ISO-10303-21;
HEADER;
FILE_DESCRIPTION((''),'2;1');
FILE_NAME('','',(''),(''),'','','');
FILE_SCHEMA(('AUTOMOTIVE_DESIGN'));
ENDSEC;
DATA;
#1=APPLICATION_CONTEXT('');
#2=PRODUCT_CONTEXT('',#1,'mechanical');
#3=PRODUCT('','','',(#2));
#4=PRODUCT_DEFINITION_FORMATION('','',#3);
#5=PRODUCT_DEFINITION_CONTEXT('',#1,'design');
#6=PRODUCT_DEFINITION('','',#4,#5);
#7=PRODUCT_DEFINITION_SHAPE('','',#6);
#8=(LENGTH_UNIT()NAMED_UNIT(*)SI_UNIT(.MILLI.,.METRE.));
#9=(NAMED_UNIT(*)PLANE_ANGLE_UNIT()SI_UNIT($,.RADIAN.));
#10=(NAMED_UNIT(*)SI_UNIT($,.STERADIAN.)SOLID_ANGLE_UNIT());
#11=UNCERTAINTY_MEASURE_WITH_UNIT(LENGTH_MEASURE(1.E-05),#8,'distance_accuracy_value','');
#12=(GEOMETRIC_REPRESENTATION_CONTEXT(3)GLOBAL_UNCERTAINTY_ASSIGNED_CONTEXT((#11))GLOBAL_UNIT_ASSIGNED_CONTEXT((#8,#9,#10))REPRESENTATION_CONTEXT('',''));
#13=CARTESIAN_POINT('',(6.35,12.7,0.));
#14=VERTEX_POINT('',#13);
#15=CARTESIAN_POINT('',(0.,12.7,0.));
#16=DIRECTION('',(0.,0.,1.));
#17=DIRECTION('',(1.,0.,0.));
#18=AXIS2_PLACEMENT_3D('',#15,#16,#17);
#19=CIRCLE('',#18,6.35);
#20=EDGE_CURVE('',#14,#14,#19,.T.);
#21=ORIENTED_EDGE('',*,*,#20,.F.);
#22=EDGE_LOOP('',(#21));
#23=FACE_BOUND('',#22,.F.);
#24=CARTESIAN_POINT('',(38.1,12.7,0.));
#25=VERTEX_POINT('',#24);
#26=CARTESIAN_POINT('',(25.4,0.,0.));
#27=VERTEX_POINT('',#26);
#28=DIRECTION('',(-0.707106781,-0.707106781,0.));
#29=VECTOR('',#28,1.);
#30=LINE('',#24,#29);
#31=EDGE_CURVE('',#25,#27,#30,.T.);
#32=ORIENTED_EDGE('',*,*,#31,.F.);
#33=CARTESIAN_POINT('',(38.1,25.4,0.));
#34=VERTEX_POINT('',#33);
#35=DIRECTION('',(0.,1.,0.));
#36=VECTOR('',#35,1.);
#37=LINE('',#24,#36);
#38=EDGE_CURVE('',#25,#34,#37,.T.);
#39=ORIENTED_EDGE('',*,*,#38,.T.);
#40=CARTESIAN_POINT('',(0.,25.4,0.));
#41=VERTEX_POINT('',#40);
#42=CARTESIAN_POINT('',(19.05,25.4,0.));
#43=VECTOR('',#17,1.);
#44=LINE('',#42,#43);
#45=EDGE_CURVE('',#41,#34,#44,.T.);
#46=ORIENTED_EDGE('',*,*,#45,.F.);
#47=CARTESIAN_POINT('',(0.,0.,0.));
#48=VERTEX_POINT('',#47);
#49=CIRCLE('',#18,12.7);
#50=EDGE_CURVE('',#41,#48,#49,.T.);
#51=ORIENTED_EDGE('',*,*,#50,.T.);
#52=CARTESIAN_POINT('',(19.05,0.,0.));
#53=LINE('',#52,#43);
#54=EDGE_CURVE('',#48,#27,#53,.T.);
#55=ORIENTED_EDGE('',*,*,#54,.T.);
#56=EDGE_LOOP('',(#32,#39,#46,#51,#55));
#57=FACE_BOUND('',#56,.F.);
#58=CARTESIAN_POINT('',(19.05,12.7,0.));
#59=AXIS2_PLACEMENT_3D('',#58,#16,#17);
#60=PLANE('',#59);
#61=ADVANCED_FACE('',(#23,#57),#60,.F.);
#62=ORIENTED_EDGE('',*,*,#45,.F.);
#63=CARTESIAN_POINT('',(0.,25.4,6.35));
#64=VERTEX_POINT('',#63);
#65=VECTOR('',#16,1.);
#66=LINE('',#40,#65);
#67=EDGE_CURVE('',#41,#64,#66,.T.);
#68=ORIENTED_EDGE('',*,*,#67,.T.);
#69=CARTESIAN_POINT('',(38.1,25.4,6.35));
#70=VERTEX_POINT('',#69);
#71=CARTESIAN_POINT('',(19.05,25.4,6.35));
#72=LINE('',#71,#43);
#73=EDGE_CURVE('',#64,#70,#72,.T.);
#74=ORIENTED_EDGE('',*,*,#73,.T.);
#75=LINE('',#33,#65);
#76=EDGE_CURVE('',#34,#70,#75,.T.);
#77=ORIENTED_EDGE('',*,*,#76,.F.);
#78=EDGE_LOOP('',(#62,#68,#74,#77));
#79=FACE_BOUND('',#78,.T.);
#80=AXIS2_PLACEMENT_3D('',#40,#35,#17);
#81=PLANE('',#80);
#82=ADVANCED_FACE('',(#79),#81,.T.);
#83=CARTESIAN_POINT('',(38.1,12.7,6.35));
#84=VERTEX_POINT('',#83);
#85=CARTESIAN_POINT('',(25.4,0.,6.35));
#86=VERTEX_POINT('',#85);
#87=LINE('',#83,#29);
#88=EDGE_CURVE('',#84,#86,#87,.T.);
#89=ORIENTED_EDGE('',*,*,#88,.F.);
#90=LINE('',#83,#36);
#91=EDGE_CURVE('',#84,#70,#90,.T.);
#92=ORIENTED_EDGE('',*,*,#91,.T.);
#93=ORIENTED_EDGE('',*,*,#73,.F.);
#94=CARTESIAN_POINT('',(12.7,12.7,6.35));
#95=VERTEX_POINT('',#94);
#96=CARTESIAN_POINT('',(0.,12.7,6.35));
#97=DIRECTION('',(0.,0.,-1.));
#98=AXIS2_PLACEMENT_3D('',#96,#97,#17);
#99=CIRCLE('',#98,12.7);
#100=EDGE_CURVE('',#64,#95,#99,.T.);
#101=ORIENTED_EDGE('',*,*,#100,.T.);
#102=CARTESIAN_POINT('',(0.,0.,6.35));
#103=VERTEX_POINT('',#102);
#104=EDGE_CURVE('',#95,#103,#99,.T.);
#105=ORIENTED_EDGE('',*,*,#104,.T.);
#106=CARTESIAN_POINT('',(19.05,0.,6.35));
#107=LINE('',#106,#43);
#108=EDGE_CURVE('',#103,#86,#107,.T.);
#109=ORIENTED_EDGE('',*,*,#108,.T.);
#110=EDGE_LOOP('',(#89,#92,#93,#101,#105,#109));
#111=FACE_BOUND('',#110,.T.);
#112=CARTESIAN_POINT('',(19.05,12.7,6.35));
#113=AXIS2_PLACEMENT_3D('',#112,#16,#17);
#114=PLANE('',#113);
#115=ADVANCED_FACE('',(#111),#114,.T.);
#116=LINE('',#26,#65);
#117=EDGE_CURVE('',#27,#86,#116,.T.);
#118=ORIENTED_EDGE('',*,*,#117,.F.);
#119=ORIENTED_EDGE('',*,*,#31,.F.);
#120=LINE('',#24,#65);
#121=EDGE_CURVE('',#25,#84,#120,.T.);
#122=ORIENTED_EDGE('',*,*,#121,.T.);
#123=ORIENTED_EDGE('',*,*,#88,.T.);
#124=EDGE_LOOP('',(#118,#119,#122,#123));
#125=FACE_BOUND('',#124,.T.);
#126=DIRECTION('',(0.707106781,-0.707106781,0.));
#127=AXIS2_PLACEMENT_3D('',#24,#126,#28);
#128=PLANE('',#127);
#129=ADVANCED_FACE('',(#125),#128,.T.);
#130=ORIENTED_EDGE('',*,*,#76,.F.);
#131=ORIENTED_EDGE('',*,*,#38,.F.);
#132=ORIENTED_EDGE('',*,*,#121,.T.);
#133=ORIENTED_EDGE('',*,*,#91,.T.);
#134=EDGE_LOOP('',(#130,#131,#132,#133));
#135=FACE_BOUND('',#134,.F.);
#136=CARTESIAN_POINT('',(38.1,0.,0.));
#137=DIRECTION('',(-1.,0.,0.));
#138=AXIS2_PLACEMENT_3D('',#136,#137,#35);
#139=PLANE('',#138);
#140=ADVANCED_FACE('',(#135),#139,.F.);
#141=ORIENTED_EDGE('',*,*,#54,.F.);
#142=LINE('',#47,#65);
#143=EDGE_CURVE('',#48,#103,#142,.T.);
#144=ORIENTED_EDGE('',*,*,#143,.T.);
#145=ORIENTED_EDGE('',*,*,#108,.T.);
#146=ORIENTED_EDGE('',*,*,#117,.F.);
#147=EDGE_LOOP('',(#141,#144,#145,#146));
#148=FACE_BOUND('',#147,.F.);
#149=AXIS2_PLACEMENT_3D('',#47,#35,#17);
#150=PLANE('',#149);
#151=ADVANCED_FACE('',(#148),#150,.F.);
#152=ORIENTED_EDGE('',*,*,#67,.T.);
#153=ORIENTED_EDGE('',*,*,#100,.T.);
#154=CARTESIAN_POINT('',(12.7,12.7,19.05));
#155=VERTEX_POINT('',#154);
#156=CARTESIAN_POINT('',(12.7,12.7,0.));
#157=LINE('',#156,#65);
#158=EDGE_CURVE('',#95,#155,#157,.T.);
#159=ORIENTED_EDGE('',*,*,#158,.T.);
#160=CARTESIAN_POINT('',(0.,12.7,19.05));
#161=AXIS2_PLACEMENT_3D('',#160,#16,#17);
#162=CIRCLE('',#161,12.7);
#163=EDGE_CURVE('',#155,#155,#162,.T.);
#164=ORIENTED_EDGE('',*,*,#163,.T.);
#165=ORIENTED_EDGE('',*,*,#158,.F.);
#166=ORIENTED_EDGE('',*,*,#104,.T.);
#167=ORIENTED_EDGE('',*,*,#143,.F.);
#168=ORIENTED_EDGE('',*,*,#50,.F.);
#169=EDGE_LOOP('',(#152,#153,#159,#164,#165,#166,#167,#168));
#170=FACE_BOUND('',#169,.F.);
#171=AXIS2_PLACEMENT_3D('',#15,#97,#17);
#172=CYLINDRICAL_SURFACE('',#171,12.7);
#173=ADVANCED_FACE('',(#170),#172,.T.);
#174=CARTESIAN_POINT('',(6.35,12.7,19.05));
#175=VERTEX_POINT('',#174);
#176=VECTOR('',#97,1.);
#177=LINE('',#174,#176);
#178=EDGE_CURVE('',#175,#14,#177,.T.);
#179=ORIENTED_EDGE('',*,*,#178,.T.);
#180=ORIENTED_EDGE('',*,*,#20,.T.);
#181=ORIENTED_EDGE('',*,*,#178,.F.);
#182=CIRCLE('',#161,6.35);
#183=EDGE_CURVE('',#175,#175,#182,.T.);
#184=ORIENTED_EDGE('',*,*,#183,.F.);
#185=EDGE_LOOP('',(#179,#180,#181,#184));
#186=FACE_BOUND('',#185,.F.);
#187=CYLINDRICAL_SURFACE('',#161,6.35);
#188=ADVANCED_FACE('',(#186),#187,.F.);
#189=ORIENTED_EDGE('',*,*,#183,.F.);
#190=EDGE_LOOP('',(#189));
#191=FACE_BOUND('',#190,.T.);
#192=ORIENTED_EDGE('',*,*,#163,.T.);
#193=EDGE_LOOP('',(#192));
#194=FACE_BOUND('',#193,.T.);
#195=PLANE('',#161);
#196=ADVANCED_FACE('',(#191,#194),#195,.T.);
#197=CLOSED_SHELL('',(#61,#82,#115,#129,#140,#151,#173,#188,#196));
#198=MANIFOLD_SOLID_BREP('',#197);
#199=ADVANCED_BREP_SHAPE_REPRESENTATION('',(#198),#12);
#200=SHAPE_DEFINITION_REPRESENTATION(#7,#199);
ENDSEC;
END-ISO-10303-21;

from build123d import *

# Parameters (mm, degrees)
F0_W     = 38.1
F0_H     = 25.4
F1_DEPTH = 6.35
F2_R     = 12.7
F3_DEPTH = 19.05
F4_R     = 6.35
F5_DEPTH = 19.05
F7_DEPTH = 6.35


with BuildPart() as f1:
    # F0 (on Top) → F1 (new body)
    with BuildSketch(Plane.XY):
        with Locations((19.05, 12.7)):
            Rectangle(F0_W, F0_H)
    extrude(amount=F1_DEPTH)

    # F2 (on Top) → F3 (join)
    with BuildSketch(Plane.XY):
        with Locations((0, 12.7)):
            Circle(F2_R)
    extrude(amount=F3_DEPTH)

    # F4 (on face) → F5 (cut)
    with BuildSketch(Plane.XY.offset(19.05)):
        with Locations((0, 12.7)):
            Circle(F4_R)
    extrude(amount=-F5_DEPTH, mode=Mode.SUBTRACT)

    # F6 (on Top) → F7 (cut)
    with BuildSketch(Plane.XY):
        Polygon((38.1, 12.7), (25.4, 0), (38.1, 0), align=None)
    extrude(amount=F7_DEPTH, mode=Mode.SUBTRACT)


solid = f1.part
